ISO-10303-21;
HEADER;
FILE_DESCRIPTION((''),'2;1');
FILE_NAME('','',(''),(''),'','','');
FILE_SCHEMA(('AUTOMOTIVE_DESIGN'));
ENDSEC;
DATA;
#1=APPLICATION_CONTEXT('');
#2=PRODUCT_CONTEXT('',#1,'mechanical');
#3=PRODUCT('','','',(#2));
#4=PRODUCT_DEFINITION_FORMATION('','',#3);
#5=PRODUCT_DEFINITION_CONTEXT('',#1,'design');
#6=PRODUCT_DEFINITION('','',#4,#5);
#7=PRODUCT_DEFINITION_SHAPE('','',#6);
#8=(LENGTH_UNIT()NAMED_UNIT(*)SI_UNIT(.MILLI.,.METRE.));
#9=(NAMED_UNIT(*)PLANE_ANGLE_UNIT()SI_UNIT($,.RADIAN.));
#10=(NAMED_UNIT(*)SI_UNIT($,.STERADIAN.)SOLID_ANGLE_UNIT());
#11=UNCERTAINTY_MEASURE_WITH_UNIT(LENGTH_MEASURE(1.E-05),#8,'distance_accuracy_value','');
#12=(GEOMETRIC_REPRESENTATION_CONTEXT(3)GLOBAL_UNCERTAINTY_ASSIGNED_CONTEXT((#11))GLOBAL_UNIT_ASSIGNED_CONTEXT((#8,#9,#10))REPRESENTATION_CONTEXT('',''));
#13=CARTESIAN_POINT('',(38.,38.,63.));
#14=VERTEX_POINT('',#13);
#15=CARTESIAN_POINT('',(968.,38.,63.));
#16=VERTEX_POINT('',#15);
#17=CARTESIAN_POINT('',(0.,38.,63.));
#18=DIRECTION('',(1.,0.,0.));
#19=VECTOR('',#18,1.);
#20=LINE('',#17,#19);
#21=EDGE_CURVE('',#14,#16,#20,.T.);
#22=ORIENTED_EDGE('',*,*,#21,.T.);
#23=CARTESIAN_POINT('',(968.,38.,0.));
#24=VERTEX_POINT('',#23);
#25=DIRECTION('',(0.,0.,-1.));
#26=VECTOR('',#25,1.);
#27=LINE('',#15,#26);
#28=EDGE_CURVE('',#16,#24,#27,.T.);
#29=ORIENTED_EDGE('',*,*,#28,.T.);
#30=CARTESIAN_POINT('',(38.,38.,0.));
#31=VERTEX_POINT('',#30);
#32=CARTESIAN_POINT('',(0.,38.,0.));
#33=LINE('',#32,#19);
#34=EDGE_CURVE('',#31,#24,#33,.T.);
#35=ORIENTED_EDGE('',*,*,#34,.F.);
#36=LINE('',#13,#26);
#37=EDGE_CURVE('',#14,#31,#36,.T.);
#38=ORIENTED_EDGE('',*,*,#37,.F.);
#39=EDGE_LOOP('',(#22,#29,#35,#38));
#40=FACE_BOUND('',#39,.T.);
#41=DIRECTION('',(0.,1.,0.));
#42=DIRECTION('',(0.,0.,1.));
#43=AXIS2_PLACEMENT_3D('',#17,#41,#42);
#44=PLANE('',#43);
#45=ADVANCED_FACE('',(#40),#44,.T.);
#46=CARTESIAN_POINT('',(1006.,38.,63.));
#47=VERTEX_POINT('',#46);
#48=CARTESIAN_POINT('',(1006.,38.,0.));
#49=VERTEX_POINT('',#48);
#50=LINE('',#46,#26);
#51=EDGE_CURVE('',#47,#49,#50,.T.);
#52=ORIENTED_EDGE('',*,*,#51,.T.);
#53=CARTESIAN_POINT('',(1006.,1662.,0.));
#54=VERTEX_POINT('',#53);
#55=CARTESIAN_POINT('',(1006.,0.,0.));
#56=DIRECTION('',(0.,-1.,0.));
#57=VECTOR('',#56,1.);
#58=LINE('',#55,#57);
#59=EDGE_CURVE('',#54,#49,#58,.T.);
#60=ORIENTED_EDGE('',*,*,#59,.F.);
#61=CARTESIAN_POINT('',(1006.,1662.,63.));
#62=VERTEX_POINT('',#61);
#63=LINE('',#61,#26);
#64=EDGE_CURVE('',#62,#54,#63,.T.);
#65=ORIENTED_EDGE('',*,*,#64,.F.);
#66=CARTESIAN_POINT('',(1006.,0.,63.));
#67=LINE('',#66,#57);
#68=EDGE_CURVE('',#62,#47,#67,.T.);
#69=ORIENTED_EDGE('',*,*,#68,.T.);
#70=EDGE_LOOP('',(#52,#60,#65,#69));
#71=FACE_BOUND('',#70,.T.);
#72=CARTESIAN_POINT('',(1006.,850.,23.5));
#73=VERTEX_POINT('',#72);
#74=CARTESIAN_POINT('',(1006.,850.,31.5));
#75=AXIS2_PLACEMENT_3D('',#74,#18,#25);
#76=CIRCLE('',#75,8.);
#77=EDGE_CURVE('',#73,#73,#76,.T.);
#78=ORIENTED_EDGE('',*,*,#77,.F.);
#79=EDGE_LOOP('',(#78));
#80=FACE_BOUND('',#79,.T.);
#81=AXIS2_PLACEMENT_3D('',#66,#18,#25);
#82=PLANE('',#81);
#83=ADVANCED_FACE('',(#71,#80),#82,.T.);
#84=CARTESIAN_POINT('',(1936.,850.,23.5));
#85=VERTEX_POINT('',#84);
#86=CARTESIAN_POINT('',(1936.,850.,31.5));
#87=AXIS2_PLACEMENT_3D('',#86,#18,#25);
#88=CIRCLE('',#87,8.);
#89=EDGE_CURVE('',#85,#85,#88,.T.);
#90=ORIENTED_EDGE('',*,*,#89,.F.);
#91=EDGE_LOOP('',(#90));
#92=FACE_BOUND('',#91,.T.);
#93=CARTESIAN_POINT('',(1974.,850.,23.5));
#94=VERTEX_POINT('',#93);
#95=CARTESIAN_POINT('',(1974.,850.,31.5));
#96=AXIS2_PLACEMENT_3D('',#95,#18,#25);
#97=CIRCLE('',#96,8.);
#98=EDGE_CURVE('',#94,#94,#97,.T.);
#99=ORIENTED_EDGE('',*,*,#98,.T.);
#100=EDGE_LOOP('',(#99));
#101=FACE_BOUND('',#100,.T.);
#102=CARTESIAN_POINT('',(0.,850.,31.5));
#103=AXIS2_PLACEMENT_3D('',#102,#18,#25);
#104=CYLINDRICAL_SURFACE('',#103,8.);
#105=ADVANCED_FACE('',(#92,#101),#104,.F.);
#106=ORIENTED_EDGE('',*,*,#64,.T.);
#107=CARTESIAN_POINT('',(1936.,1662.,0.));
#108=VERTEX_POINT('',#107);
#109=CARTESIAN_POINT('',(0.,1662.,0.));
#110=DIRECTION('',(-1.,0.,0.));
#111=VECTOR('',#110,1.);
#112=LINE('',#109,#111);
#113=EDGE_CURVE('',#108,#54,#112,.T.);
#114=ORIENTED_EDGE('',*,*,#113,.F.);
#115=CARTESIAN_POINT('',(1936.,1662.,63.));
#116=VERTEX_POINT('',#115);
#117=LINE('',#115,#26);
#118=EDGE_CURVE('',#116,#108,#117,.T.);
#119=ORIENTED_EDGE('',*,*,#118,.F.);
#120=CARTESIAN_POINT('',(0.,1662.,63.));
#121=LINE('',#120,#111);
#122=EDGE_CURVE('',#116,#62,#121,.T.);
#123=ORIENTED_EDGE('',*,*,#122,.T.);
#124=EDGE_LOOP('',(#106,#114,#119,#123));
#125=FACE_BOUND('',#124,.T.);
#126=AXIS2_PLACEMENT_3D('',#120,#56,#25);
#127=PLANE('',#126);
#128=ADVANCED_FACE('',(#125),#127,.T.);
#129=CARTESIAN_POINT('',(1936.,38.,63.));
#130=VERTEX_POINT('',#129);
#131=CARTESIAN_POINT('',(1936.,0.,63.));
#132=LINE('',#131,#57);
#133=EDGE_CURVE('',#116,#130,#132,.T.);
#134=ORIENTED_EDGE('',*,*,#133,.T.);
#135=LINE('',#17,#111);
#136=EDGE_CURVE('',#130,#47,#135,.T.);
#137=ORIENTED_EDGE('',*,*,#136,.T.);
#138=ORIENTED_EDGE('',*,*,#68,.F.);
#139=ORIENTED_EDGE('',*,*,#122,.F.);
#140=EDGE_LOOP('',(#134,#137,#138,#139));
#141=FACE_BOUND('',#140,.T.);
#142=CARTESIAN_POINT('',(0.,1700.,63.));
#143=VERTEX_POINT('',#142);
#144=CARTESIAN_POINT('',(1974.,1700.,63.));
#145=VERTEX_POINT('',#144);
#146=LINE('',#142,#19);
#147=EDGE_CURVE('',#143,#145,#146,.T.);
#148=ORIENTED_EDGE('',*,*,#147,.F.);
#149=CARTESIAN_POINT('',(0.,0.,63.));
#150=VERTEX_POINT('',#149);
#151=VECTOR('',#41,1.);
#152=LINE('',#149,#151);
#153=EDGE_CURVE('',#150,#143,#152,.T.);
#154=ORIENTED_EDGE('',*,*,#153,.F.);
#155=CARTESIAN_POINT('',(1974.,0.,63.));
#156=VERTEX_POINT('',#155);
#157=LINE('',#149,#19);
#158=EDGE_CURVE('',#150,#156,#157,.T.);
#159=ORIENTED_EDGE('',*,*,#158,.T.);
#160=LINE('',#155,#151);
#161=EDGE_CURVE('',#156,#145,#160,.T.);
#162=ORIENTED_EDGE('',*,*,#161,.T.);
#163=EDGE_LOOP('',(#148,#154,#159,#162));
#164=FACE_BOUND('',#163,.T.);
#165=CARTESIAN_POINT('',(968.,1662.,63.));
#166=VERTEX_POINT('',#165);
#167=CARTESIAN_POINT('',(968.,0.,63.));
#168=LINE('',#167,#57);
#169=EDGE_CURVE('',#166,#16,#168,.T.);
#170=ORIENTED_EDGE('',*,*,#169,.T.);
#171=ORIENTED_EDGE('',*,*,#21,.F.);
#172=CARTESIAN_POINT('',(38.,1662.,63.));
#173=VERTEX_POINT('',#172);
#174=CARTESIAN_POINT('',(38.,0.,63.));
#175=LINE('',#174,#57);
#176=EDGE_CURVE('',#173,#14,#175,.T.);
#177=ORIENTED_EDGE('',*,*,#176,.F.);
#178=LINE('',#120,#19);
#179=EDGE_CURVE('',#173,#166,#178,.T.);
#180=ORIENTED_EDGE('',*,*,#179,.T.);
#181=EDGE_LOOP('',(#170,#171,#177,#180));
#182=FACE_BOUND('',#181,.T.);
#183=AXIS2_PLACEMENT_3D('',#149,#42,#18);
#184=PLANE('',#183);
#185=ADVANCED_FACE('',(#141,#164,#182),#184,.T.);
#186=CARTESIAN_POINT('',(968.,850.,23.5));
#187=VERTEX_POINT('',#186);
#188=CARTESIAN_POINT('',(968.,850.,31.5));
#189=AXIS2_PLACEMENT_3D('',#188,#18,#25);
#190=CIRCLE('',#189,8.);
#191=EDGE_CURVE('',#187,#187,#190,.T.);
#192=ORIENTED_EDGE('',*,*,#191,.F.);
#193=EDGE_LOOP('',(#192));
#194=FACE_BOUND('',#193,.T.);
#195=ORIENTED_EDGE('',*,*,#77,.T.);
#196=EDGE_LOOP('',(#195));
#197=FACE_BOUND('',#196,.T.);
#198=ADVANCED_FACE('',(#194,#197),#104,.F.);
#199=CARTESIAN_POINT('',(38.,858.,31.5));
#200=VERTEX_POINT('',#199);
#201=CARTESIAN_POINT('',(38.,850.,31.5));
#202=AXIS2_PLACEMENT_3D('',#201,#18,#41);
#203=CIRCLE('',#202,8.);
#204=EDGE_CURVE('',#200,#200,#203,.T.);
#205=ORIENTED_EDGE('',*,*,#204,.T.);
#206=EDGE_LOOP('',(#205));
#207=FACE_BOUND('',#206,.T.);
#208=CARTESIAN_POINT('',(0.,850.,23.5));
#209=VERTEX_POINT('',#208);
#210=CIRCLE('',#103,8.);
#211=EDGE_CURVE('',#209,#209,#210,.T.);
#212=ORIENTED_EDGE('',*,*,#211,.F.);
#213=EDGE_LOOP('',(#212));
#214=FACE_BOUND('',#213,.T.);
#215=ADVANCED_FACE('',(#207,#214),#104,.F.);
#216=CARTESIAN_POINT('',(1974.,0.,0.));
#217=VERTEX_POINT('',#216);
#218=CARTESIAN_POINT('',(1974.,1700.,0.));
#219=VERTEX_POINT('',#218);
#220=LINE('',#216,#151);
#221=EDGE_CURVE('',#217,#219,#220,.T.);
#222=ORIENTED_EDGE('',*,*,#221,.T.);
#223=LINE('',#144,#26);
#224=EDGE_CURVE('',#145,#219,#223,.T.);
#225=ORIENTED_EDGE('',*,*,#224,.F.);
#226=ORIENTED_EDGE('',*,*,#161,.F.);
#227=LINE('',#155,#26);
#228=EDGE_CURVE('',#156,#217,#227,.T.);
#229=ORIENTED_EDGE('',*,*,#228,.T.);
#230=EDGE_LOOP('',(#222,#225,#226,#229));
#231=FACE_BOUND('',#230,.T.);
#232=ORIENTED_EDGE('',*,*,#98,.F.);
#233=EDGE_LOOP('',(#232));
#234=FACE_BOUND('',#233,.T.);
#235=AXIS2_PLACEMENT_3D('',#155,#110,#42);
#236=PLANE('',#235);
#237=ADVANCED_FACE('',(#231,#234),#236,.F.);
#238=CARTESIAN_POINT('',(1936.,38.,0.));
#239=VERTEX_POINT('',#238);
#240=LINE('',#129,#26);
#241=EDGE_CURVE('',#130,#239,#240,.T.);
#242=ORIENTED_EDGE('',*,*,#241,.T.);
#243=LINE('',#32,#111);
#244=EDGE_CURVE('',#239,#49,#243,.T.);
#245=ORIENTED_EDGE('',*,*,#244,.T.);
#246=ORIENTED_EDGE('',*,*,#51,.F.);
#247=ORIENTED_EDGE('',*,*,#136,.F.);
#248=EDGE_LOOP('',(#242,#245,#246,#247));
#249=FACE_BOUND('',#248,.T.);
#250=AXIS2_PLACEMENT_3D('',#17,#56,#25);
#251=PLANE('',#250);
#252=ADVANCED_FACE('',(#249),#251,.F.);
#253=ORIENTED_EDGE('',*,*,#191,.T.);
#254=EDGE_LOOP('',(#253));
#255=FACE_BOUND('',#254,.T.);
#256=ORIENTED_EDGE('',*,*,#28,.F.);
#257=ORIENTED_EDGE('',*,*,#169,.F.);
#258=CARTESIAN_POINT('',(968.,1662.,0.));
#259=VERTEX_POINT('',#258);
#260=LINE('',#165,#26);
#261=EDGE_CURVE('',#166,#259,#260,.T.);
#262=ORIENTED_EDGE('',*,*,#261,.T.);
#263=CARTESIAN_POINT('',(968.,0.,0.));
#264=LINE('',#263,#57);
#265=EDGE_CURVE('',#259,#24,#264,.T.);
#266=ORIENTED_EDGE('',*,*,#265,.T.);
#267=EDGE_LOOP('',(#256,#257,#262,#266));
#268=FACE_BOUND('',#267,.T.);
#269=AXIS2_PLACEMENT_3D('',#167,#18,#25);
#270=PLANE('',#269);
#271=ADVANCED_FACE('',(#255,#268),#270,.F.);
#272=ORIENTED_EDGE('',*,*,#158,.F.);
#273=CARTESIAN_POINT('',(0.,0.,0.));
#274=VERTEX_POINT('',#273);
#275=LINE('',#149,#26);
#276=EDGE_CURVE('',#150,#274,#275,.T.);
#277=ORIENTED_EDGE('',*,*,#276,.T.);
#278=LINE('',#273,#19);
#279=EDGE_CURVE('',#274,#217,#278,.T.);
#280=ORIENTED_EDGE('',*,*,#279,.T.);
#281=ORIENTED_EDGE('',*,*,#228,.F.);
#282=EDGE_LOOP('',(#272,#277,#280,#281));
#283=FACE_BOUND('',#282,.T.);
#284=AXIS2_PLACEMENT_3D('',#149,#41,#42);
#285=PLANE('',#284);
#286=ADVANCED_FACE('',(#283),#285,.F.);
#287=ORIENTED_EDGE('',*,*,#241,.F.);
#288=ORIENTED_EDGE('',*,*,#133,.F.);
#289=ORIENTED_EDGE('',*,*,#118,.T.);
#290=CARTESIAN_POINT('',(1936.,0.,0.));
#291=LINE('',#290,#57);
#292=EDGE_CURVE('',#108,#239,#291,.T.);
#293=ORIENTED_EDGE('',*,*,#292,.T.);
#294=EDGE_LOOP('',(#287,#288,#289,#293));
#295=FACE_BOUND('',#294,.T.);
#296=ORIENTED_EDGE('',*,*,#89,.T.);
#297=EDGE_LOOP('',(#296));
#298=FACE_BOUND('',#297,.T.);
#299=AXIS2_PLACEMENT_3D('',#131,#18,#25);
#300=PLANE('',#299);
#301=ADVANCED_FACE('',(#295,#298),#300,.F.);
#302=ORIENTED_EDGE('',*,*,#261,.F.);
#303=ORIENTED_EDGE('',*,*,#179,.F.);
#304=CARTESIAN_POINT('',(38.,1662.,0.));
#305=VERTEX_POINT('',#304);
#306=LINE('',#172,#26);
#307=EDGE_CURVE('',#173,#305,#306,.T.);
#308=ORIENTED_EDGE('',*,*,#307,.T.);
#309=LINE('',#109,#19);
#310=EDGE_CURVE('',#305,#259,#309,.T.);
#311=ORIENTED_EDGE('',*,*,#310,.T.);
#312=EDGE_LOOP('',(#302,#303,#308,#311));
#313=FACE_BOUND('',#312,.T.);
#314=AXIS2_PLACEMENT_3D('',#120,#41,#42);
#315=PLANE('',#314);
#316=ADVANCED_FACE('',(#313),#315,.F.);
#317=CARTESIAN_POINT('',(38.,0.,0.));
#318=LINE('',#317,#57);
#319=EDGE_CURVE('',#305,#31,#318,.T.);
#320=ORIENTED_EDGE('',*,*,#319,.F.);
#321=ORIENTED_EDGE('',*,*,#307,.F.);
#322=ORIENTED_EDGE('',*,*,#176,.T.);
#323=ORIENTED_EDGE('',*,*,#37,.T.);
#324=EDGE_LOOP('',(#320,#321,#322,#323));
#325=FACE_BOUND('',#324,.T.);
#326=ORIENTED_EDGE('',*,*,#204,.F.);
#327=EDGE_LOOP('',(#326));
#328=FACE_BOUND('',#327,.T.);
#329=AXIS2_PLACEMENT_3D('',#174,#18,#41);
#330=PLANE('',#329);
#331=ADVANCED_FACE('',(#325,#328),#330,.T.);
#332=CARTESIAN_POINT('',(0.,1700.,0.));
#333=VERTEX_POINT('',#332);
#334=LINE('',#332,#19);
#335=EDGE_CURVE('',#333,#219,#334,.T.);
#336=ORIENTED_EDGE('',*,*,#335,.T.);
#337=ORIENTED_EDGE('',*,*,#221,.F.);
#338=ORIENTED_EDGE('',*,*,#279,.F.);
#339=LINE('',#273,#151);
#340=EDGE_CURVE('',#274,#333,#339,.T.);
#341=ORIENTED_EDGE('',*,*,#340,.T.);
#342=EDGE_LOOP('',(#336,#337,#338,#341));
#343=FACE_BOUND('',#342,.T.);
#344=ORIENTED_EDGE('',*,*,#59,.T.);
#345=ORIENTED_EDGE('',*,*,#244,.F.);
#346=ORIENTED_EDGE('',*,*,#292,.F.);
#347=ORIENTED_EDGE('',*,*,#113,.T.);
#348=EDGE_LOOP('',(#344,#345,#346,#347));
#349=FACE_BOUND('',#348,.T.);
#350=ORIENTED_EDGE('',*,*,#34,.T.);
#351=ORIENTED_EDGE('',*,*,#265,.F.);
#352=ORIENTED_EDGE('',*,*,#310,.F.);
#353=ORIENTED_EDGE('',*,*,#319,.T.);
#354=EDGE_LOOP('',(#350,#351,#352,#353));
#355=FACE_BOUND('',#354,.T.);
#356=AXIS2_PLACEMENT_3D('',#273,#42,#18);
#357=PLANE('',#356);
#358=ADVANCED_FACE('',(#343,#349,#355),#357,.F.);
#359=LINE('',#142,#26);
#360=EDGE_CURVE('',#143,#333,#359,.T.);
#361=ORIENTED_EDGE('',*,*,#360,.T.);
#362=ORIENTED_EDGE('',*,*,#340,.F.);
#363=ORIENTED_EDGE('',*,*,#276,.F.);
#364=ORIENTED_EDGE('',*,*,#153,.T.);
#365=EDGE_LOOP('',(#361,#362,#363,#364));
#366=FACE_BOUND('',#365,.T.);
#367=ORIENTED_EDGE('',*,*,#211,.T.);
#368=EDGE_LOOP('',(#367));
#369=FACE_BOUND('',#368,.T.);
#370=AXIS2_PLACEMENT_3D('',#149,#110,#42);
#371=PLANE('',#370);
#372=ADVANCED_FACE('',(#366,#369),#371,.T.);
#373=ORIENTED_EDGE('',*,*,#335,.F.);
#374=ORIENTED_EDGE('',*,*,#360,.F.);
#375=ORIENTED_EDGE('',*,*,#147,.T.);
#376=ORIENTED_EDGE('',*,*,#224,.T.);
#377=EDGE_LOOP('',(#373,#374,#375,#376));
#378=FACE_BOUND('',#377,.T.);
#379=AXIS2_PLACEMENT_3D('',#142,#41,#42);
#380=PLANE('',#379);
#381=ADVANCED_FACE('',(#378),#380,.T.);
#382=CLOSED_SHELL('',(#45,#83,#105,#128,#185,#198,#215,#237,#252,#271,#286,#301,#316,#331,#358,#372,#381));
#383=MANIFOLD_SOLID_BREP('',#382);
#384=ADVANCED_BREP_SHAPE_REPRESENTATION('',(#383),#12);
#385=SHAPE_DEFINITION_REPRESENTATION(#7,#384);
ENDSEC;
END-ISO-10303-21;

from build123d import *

# Parameters (mm, degrees)
ESQUISSE1_W             = 1974
ESQUISSE1_H             = 1700
ESQUISSE1_W_2           = 930
ESQUISSE1_H_2           = 1624
BOSS_EXTRU_1_DEPTH      = 63
ESQUISSE2_R             = 8
ENL_V_MAT_EXTRU_1_DEPTH = 2606.886605361


with BuildPart() as part:
    # Esquisse1 → Boss.-Extru.1 (new body)
    with BuildSketch(Plane.XY):
        with Locations((987, 850)):
            Rectangle(ESQUISSE1_W, ESQUISSE1_H)
        with Locations((1471, 850)):
            Rectangle(ESQUISSE1_W_2, ESQUISSE1_H_2, mode=Mode.SUBTRACT)
        with Locations((503, 850)):
            Rectangle(ESQUISSE1_W_2, ESQUISSE1_H_2, mode=Mode.SUBTRACT)
    extrude(amount=BOSS_EXTRU_1_DEPTH)

    # Esquisse2 → Enlèv. mat.-Extru.1 (cut, through all)
    with BuildSketch(Plane(origin=(1974, 0, 0), x_dir=(0, 0, -1), z_dir=(1, 0, 0))):
        with Locations((-31.5, 850)):
            Circle(ESQUISSE2_R)
    extrude(amount=-ENL_V_MAT_EXTRU_1_DEPTH, mode=Mode.SUBTRACT)


solid = part.part
